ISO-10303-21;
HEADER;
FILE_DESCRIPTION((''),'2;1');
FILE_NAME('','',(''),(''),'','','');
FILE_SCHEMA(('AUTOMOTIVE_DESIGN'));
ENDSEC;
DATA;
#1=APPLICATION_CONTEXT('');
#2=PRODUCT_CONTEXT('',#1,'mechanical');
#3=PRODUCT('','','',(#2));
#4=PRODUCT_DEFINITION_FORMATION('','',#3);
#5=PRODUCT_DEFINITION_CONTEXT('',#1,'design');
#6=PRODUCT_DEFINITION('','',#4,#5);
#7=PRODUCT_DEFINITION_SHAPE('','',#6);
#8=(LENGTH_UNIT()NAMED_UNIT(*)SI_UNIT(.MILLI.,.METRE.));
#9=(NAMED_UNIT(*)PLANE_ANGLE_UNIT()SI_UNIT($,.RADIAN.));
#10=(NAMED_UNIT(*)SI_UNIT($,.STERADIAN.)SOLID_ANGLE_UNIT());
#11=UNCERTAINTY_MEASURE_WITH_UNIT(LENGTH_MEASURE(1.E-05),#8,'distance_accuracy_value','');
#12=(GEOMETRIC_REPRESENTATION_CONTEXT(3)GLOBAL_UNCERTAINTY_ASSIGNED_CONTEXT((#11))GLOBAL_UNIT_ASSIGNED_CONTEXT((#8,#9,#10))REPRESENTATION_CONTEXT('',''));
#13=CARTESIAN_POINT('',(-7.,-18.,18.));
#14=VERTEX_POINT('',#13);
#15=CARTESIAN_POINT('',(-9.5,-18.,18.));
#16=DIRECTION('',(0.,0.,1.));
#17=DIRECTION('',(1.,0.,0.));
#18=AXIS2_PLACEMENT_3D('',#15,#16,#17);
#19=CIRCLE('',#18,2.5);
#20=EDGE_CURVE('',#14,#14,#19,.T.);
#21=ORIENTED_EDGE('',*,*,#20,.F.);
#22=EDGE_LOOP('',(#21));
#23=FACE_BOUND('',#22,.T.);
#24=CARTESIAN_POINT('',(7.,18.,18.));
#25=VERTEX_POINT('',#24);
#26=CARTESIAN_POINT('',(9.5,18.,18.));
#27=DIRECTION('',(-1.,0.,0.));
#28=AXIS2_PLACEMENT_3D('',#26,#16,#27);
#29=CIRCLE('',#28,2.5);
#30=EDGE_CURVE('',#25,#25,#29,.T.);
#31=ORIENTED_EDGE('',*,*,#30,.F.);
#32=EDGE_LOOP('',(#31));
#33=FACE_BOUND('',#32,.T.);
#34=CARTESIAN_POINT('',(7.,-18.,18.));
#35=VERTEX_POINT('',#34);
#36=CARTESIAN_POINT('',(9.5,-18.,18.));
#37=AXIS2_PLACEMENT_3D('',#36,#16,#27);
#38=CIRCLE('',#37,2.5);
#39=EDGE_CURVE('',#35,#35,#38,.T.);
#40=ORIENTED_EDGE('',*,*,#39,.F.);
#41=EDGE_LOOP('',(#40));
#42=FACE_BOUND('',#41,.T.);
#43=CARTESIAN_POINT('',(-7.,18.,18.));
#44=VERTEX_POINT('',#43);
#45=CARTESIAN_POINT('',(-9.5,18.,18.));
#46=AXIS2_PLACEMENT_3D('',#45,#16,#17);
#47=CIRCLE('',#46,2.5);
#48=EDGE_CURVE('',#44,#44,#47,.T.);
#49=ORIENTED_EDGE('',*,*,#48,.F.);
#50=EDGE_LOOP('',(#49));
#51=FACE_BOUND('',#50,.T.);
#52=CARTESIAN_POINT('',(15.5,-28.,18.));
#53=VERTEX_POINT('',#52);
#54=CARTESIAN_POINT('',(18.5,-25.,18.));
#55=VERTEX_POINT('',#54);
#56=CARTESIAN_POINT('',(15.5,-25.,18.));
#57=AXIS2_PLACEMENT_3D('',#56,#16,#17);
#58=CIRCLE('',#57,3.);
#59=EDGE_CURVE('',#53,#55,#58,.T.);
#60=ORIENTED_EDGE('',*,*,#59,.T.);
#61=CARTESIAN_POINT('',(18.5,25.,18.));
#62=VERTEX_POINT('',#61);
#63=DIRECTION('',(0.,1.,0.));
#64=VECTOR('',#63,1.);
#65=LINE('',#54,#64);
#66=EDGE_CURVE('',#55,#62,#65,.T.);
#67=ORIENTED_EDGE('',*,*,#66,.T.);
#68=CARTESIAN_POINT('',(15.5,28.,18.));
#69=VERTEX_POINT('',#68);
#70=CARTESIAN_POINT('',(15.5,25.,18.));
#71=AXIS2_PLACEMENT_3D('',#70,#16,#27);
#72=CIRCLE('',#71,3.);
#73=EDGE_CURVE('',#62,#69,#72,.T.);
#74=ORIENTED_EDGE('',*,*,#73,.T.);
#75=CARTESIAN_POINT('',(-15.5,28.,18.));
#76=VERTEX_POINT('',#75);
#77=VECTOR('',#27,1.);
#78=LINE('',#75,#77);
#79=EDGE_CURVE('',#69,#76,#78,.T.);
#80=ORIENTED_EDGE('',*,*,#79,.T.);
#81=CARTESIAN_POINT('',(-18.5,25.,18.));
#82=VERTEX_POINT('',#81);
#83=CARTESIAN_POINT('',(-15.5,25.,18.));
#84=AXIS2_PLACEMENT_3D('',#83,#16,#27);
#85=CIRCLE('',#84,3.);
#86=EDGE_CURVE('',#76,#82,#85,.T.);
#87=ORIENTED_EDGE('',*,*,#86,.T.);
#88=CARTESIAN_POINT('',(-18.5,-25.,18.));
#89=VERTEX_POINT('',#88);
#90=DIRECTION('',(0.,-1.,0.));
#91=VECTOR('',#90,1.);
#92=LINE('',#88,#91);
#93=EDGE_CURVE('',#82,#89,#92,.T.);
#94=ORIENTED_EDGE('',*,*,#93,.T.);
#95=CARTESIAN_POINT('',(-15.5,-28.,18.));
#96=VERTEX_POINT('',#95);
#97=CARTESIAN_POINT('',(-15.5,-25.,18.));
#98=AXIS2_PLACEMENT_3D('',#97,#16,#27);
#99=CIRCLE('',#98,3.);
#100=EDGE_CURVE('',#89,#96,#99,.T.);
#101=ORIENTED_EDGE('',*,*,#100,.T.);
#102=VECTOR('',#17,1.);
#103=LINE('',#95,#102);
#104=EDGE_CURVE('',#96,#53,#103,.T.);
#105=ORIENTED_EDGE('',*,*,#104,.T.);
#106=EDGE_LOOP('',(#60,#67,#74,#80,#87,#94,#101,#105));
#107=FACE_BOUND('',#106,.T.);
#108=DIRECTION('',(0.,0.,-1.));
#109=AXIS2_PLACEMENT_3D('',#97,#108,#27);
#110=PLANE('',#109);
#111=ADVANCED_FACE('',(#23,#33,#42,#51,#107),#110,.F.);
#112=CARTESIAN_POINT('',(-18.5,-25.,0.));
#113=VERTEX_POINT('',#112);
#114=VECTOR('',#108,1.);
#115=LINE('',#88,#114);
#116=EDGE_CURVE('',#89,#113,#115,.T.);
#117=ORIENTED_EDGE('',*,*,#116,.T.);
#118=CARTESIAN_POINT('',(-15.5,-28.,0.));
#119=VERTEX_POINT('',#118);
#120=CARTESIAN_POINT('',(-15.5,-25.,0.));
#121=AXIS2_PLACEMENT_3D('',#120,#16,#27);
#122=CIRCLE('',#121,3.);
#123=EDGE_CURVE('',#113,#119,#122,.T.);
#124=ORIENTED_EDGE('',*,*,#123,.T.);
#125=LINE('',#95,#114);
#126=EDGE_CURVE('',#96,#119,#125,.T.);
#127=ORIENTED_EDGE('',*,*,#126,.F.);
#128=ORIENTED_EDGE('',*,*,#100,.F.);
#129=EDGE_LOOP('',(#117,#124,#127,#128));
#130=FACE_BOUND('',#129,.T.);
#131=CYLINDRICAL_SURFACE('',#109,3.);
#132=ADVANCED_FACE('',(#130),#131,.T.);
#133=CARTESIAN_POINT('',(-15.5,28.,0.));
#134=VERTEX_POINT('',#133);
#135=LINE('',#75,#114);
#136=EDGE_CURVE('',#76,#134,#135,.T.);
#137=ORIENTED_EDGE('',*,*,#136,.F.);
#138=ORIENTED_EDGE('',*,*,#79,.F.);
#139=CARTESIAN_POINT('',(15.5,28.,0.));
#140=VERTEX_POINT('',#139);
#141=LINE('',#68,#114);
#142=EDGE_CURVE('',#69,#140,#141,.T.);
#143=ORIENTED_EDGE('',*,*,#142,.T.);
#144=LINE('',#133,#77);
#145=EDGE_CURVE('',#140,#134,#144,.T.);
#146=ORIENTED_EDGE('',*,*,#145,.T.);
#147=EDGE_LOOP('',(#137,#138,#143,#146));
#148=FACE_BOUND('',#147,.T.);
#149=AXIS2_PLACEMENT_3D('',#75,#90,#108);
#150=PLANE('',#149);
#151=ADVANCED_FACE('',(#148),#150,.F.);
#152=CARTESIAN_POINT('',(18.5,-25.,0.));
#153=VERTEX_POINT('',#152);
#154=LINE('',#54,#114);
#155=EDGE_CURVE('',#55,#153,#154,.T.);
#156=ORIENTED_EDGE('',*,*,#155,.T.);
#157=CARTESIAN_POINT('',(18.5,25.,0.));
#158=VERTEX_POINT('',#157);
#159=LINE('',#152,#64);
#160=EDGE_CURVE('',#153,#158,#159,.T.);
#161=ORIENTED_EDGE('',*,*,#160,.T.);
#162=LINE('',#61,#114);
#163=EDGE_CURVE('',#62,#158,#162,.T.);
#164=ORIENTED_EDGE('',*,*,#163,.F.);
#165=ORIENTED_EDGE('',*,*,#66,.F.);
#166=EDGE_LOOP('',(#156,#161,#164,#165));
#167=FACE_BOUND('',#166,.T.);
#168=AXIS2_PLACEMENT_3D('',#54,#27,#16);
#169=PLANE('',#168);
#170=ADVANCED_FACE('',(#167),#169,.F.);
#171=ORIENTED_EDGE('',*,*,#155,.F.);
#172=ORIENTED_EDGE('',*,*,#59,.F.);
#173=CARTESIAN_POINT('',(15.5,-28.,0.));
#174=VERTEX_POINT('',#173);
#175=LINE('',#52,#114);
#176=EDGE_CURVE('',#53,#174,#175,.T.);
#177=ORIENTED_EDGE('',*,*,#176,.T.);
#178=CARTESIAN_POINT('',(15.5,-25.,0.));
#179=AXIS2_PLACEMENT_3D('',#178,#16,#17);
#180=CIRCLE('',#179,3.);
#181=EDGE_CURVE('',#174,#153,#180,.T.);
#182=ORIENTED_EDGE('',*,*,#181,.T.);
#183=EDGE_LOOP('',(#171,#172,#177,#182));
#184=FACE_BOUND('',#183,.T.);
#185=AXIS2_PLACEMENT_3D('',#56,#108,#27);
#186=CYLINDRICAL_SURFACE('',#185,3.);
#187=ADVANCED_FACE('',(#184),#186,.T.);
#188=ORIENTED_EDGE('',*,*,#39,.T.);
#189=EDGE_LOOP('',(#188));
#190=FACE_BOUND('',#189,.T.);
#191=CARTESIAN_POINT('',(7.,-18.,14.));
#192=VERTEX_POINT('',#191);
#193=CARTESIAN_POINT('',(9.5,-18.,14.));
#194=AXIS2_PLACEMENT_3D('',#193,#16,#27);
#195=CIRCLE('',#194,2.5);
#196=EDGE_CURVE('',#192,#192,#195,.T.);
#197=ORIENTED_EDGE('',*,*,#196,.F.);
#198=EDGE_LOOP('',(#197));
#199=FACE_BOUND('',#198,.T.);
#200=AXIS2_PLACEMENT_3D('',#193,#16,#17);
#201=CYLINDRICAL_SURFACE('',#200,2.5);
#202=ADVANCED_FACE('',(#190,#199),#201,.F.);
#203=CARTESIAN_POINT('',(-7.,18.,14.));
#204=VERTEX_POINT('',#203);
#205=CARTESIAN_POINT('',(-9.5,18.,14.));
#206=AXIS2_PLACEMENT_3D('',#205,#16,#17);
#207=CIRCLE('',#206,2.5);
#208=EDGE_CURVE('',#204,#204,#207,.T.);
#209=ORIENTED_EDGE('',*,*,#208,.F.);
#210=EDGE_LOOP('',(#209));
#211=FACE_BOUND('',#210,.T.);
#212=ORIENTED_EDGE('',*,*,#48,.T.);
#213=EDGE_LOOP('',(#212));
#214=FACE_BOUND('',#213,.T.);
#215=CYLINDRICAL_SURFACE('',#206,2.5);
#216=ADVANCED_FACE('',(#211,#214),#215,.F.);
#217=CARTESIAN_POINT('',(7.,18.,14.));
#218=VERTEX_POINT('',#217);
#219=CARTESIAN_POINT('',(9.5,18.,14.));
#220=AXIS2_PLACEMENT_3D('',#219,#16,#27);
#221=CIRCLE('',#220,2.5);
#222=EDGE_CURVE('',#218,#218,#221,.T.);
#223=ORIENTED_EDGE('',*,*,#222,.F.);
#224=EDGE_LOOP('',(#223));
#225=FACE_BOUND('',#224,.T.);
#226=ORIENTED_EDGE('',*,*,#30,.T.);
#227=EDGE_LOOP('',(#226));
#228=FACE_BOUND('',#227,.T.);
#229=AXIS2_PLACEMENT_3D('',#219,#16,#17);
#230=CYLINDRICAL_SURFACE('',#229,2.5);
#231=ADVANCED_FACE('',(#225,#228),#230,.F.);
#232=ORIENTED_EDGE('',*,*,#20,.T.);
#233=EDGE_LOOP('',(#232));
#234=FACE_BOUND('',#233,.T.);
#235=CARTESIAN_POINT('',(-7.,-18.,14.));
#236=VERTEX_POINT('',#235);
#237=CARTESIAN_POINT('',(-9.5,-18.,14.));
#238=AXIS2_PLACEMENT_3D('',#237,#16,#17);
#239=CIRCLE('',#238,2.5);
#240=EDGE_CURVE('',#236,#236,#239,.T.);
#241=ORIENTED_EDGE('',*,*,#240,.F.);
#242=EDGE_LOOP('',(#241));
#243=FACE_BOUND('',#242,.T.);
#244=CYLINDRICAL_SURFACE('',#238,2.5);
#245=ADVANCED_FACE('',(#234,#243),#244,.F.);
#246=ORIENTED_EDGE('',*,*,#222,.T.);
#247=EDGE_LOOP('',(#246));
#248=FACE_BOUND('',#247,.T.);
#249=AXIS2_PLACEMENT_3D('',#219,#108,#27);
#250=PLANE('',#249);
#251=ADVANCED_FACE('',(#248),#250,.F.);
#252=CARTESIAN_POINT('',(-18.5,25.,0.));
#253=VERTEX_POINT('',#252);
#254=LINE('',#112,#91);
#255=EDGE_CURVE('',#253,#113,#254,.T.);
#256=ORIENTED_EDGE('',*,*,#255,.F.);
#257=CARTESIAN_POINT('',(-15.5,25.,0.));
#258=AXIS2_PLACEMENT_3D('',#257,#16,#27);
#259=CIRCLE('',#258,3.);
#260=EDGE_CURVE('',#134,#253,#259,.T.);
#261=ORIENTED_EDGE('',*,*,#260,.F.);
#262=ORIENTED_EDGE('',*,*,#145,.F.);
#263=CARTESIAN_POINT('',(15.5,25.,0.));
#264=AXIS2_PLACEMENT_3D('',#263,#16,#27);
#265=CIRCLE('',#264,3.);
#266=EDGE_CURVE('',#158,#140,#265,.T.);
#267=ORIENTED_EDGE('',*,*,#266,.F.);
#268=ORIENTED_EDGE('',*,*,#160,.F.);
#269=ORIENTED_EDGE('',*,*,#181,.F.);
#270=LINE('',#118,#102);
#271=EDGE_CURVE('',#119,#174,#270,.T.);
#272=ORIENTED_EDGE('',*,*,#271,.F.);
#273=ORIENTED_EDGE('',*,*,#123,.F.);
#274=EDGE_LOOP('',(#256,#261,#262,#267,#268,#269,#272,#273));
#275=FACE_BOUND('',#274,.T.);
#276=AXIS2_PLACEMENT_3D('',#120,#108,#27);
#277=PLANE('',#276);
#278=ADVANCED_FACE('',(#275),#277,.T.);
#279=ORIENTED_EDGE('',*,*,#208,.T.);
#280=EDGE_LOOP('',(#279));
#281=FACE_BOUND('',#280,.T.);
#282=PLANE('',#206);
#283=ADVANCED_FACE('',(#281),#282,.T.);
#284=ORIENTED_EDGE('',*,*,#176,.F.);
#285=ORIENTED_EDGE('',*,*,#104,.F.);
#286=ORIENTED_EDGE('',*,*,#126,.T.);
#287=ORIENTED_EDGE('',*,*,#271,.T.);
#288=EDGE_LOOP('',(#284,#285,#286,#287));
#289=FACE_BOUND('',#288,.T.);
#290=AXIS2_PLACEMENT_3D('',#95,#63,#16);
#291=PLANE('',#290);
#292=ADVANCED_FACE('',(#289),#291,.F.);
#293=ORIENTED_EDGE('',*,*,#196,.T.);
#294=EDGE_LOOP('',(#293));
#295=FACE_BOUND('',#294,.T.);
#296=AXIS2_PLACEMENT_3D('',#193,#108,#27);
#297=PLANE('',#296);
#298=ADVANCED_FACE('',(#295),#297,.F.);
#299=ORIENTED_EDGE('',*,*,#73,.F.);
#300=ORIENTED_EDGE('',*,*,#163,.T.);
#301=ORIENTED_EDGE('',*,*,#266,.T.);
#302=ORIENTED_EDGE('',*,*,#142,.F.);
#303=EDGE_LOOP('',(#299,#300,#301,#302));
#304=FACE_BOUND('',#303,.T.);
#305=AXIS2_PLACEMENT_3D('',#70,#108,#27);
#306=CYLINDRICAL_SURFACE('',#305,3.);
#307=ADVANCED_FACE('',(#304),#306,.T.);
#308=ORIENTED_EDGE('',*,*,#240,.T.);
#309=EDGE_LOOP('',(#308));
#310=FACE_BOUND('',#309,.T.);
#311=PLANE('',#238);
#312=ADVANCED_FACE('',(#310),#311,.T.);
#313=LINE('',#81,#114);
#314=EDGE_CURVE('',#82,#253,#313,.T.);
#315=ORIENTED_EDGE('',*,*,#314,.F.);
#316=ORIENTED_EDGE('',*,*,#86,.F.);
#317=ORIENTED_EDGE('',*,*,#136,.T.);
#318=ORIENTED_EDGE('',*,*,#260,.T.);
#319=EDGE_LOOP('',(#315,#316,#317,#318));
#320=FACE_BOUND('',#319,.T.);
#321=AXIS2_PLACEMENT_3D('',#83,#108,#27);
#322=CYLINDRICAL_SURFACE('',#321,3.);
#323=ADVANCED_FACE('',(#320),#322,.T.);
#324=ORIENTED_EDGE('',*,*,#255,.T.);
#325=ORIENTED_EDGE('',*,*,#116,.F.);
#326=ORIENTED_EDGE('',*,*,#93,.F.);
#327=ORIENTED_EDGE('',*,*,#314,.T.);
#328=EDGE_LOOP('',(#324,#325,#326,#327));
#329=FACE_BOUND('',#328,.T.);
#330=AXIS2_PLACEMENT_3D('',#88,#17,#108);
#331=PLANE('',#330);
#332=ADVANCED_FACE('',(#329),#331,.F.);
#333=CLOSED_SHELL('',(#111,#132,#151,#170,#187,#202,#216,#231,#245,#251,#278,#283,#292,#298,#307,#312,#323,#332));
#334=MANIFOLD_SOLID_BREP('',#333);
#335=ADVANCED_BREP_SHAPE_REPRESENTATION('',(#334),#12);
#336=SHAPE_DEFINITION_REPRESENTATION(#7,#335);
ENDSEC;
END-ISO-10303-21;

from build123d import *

# Parameters (mm, degrees)
BOSS_EXTRUDE1_DEPTH = 18
SKETCH2_R           = 2.5
CUT_EXTRUDE1_DEPTH  = 4


with BuildPart() as part:
    # Sketch1 → Boss-Extrude1 (new body)
    with BuildSketch(Plane.XY):
        with BuildLine():
            Line((-15.5, -28), (15.5, -28))
            ThreePointArc((15.5, -28), (17.621320344, -27.121320344), (18.5, -25))
            Line((18.5, -25), (18.5, 25))
            ThreePointArc((18.5, 25), (17.621320344, 27.121320344), (15.5, 28))
            Line((15.5, 28), (-15.5, 28))
            ThreePointArc((-15.5, 28), (-17.621320344, 27.121320344), (-18.5, 25))
            Line((-18.5, 25), (-18.5, -25))
            ThreePointArc((-18.5, -25), (-17.621320344, -27.121320344), (-15.5, -28))
        make_face()
    extrude(amount=BOSS_EXTRUDE1_DEPTH)

    # Sketch2 → Cut-Extrude1 (cut)
    with BuildSketch(Plane.XY.offset(18)):
        with Locations((-9.5, 18)):
            Circle(SKETCH2_R)
        with Locations((-9.5, -18)):
            Circle(SKETCH2_R)
        with Locations(Location((9.5, -18, 0), (0, 0, 180))):
            Circle(SKETCH2_R)
        with Locations(Location((9.5, 18, 0), (0, 0, 180))):
            Circle(SKETCH2_R)
    extrude(amount=-CUT_EXTRUDE1_DEPTH, mode=Mode.SUBTRACT)


solid = part.part
